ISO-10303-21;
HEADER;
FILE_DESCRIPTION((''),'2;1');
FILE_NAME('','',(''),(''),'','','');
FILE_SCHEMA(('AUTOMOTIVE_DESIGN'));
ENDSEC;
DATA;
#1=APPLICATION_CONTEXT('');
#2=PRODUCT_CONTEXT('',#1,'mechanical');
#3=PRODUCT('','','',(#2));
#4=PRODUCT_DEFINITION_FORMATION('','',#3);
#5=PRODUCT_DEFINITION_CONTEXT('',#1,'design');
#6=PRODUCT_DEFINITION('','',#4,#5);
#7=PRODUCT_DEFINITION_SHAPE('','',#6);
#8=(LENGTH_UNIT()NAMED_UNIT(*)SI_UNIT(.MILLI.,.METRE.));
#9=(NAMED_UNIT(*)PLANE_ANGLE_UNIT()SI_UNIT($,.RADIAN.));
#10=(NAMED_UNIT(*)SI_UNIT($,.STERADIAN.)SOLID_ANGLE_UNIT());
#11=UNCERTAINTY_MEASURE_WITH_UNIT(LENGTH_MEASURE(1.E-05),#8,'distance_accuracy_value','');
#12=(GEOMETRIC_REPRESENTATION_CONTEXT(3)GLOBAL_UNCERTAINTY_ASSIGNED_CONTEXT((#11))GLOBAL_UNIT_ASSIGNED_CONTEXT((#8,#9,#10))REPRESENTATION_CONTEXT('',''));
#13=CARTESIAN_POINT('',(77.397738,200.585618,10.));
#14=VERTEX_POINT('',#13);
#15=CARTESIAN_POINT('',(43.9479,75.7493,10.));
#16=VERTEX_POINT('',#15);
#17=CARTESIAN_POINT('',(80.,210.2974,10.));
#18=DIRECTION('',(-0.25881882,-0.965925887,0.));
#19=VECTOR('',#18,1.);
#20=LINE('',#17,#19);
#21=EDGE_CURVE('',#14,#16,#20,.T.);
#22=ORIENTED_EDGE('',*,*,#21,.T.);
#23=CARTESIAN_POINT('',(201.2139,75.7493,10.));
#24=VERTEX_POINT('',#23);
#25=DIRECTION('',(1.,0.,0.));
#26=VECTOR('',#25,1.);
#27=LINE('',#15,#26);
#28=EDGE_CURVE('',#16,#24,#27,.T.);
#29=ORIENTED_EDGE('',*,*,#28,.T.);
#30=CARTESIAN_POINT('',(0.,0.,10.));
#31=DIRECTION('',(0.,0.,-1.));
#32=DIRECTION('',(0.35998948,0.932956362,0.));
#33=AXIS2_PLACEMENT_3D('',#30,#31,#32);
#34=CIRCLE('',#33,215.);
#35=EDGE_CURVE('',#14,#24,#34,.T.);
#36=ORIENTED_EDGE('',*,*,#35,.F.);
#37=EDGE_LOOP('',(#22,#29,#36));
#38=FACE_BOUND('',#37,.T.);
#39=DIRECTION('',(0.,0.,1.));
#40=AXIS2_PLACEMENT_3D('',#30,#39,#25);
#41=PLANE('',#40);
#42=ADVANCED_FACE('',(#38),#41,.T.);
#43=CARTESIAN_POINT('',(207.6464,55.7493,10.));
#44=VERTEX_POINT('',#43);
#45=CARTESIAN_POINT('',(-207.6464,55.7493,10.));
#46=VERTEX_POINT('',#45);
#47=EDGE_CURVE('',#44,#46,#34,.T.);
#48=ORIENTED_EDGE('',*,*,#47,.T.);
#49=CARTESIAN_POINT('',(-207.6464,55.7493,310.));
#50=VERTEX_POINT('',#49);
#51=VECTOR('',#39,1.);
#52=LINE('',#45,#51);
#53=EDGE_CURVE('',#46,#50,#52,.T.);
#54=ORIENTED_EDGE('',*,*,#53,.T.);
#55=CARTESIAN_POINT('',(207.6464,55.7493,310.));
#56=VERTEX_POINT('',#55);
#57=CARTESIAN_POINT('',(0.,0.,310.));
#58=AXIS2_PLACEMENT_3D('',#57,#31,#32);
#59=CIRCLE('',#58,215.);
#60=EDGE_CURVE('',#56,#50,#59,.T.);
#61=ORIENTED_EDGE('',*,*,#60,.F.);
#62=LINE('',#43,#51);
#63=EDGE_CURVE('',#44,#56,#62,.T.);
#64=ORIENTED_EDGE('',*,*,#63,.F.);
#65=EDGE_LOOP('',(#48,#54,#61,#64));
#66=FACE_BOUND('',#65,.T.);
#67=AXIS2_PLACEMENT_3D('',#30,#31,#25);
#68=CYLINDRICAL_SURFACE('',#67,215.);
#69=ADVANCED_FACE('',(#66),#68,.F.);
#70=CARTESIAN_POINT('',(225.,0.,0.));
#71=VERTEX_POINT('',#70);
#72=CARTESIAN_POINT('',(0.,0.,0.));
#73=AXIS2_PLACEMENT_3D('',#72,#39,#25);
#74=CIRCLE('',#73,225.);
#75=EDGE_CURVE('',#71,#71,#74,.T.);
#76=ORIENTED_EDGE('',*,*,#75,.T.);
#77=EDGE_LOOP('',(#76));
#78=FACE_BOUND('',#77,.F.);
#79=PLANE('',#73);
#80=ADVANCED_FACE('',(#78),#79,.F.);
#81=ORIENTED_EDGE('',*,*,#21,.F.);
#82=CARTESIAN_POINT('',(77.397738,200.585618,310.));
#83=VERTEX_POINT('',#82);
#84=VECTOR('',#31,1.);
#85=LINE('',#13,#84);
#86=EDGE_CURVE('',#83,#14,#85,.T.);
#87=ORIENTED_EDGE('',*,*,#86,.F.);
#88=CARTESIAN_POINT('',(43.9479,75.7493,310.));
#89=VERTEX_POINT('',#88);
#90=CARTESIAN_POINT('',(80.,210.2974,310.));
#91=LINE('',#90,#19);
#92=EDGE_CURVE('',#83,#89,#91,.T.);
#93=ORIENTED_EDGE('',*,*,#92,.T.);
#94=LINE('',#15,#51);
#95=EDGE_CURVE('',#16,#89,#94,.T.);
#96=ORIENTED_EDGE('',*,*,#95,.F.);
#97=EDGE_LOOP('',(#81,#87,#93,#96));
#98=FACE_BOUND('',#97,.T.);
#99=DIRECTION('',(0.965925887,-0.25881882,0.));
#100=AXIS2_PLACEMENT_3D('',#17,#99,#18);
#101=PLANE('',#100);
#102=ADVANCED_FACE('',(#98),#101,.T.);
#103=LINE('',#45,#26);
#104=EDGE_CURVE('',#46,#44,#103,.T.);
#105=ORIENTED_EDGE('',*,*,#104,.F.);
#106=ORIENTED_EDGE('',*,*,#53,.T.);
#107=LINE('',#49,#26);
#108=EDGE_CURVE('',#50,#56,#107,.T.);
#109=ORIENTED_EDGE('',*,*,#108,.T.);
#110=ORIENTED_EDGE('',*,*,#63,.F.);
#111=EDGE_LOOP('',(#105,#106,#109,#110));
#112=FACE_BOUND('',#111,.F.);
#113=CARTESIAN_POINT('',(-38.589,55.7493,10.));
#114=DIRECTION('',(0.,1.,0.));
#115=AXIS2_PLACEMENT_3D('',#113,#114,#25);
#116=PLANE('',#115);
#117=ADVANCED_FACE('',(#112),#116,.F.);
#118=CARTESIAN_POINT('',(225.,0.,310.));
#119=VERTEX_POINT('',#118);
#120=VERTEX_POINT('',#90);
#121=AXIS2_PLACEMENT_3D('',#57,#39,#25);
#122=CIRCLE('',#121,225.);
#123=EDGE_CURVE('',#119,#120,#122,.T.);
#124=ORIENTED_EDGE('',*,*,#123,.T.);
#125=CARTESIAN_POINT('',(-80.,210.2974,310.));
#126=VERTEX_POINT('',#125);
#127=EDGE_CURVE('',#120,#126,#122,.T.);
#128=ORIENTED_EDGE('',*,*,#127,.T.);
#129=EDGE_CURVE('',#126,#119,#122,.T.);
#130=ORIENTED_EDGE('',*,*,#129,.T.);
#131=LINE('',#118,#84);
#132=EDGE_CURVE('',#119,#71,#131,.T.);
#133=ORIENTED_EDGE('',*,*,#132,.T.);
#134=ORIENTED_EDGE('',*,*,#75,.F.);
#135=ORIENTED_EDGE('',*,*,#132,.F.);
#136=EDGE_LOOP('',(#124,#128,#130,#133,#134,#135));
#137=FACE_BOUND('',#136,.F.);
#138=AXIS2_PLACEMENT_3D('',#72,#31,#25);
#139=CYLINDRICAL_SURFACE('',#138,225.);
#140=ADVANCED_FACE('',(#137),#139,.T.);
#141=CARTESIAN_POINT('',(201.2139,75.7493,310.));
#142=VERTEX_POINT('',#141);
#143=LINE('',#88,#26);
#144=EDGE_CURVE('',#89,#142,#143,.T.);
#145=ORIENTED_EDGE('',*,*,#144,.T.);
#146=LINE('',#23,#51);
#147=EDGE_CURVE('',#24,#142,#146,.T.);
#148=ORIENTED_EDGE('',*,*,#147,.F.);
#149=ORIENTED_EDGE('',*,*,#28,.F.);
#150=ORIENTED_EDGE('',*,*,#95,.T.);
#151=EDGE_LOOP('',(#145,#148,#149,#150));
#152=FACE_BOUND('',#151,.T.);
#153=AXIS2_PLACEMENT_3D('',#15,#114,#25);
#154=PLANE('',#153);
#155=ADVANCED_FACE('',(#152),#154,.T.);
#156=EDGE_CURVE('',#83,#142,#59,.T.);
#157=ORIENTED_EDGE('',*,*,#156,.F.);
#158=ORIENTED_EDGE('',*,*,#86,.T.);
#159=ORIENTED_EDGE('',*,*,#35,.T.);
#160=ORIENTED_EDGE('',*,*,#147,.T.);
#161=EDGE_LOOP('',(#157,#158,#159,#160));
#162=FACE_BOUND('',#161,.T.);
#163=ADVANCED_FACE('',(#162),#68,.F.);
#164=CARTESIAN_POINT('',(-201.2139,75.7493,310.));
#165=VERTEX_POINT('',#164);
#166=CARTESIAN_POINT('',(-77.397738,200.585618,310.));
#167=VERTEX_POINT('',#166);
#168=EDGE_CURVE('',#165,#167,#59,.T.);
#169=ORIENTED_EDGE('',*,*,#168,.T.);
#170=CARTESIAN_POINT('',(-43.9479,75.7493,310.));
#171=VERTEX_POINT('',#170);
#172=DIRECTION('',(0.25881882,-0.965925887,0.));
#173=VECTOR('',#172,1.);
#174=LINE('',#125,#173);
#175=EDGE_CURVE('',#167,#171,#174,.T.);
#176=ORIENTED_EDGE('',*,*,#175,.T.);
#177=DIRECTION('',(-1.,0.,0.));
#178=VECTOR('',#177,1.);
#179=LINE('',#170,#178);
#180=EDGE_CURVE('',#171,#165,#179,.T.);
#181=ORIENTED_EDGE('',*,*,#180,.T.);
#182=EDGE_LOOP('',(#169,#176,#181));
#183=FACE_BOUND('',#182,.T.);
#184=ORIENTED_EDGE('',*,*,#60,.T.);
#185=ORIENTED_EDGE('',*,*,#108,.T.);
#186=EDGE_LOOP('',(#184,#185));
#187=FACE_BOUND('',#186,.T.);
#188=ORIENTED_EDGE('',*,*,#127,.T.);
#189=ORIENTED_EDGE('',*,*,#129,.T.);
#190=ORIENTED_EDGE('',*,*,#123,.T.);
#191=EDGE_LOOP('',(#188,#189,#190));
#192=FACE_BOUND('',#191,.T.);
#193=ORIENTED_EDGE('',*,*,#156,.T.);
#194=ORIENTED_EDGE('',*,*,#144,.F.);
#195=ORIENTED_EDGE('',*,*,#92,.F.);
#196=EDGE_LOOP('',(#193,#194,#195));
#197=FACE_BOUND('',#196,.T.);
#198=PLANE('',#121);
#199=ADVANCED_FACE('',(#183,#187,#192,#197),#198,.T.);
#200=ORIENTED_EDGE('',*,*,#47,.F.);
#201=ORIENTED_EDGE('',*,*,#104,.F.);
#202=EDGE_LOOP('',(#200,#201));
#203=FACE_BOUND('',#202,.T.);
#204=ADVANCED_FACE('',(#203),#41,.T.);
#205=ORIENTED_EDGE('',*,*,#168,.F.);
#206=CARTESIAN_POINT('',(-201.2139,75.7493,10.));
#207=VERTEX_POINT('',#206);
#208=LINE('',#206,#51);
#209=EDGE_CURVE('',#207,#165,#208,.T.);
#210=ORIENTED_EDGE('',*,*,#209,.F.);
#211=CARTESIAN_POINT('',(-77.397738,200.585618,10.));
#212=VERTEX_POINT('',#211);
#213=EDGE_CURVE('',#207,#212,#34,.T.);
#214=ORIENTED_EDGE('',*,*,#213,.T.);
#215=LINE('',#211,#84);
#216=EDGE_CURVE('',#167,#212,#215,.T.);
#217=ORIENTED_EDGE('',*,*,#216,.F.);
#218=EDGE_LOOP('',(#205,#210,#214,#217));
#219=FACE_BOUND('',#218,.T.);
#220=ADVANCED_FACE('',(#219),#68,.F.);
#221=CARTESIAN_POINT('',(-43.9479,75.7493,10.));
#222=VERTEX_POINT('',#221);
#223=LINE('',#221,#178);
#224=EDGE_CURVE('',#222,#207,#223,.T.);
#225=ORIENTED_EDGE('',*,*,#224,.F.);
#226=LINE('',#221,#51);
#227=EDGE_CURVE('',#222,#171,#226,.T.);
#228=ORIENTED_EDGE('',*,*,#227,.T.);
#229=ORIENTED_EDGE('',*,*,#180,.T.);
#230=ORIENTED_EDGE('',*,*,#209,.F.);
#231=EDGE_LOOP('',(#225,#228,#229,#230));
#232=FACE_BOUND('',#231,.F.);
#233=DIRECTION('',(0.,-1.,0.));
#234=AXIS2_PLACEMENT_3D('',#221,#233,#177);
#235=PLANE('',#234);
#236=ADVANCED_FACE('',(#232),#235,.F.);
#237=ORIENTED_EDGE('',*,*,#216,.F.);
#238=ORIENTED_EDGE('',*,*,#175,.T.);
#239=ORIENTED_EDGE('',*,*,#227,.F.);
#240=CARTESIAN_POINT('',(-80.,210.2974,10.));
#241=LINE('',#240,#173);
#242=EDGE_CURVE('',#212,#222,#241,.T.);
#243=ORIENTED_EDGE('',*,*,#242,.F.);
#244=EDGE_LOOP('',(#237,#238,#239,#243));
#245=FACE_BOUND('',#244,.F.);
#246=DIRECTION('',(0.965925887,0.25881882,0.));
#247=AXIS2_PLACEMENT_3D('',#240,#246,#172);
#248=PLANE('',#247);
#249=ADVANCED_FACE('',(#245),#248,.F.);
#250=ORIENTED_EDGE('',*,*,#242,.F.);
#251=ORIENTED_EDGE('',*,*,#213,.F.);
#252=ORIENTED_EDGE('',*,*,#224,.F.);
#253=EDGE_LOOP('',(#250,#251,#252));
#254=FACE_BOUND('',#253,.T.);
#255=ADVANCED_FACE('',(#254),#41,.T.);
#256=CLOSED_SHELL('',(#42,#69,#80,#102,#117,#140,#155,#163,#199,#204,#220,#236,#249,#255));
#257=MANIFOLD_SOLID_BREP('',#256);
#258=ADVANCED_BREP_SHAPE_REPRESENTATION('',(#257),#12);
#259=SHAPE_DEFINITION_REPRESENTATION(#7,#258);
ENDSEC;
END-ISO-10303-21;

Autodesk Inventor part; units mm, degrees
ref_plane "YZ Plane" through (0, 0, 0) normal (1, 0, 0) x (0, 1, 0)
ref_plane "XZ Plane" through (0, 0, 0) normal (0, 1, 0) x (-1, 0, 0)
ref_plane "XY Plane" through (0, 0, 0) normal (0, 0, 1) x (1, 0, 0)
sketch "Sketch1" plane through (0, 0, 0) normal (0, 0, 1) x (1, 0, 0)
  circle A0 centre (0, 0) radius 225
  dimension "d0" = 450
extrude "Extrusion1" add sketch "Sketch1" along normal blind 10
sketch "Sketch2" plane through (0, 0, 10) normal (0, 0, 1) x (1, 0, 0)
  circle A0 centre (0, 0) radius 225
  circle A1 centre (0, 0) radius 215
  dimension "d3" = 450
  dimension "d4" = 10
extrude "Extrusion2" add sketch "Sketch2" along normal blind 300
sketch "Sketch5" plane through (0, 0, 10) normal (0, 0, 1) x (1, 0, 0)
  line L0 (-80, 210.2974) -> (80, 210.2974)
  line L1 (80, 210.2974) -> (38.589, 55.7493)
  line L2 (-80, 210.2974) -> (-38.589, 55.7493)
  line L3 (-80, 210.2974) -> (80, 210.2974) construction
  line L4 (-38.589, 55.7493) -> (38.589, 55.7493)
  circle A0 centre (0, 0) radius 225 projected
  dimension "d31" = 160
  dimension "d32" = 160
  dimension "d33" = 75
  dimension "d34" = 160
  dimension "d35" = 75
extrude "Extrusion5" add sketch "Sketch5" along normal blind 300 contours L0 L1 L4 L2
sketch "Sketch6" plane through (0, 0, 10) normal (0, 0, 1) x (1, 0, 0)
  line L0 (-77.3977, 200.5856) -> (-38.589, 55.7493) projected
  line L1 (-38.589, 55.7493) -> (-207.6464, 55.7493)
  arc A0 (-77.3977, 200.5856) -> (77.3977, 200.5856) centre (0, 0) ccw projected
  line L2 (-38.589, 55.7493) -> (38.589, 55.7493) projected
  line L3 (38.589, 55.7493) -> (207.6464, 55.7493)
  line L4 (43.9479, 75.7493) -> (201.2139, 75.7493)
  circle A1 centre (0, 0) radius 225 projected
  line L5 (-43.9479, 75.7493) -> (-211.8656, 75.7493)
  line L6 (-43.9479, 75.7493) -> (-38.589, 55.7493)
  line L7 (43.9479, 75.7493) -> (38.589, 55.7493)
  arc A2 (207.6464, 55.7493) -> (201.2139, 75.7493) centre (0, 0) ccw
  arc A3 (-201.2139, 75.7493) -> (-207.6464, 55.7493) centre (0, 0) ccw
  line L8 (38.589, 55.7493) -> (77.3977, 200.5856) projected
  dimension "d38" = 20
extrude "Extrusion6" add sketch "Sketch6" along normal blind 300 contours L0 L1 A0 L5 | L7 L4 A0 L3
sketch "Sketch7" plane through (0, 0, 10) normal (0, 0, 1) x (1, 0, 0)
  arc A0 (-77.3977, 200.5856) -> (-201.2139, 75.7493) centre (0, 0) ccw projected
  line L0 (-77.3977, 200.5856) -> (-43.9479, 75.7493) projected
  line L1 (-43.9479, 75.7493) -> (-201.2139, 75.7493) projected
  line L2 (-207.6464, 55.7493) -> (207.6464, 55.7493) projected
  arc A1 (-207.6464, 55.7493) -> (207.6464, 55.7493) centre (0, 0) ccw projected
  line L3 (201.2139, 75.7493) -> (43.9479, 75.7493) projected
  line L4 (43.9479, 75.7493) -> (77.3977, 200.5856) projected
  arc A2 (201.2139, 75.7493) -> (77.3977, 200.5856) centre (0, 0) ccw projected
  line L5 (44.7214, 210.2974) -> (-44.7214, 210.2974) projected
  arc A3 (44.7214, 210.2974) -> (-44.7214, 210.2974) centre (0, 0) ccw projected
  circle A4 centre (0, 0) radius 225 projected
extrude "Extrusion7" add sketch "Sketch7" along normal blind 300 contours L5 A3
properties part number "BA001" material "ABS Plastic"
